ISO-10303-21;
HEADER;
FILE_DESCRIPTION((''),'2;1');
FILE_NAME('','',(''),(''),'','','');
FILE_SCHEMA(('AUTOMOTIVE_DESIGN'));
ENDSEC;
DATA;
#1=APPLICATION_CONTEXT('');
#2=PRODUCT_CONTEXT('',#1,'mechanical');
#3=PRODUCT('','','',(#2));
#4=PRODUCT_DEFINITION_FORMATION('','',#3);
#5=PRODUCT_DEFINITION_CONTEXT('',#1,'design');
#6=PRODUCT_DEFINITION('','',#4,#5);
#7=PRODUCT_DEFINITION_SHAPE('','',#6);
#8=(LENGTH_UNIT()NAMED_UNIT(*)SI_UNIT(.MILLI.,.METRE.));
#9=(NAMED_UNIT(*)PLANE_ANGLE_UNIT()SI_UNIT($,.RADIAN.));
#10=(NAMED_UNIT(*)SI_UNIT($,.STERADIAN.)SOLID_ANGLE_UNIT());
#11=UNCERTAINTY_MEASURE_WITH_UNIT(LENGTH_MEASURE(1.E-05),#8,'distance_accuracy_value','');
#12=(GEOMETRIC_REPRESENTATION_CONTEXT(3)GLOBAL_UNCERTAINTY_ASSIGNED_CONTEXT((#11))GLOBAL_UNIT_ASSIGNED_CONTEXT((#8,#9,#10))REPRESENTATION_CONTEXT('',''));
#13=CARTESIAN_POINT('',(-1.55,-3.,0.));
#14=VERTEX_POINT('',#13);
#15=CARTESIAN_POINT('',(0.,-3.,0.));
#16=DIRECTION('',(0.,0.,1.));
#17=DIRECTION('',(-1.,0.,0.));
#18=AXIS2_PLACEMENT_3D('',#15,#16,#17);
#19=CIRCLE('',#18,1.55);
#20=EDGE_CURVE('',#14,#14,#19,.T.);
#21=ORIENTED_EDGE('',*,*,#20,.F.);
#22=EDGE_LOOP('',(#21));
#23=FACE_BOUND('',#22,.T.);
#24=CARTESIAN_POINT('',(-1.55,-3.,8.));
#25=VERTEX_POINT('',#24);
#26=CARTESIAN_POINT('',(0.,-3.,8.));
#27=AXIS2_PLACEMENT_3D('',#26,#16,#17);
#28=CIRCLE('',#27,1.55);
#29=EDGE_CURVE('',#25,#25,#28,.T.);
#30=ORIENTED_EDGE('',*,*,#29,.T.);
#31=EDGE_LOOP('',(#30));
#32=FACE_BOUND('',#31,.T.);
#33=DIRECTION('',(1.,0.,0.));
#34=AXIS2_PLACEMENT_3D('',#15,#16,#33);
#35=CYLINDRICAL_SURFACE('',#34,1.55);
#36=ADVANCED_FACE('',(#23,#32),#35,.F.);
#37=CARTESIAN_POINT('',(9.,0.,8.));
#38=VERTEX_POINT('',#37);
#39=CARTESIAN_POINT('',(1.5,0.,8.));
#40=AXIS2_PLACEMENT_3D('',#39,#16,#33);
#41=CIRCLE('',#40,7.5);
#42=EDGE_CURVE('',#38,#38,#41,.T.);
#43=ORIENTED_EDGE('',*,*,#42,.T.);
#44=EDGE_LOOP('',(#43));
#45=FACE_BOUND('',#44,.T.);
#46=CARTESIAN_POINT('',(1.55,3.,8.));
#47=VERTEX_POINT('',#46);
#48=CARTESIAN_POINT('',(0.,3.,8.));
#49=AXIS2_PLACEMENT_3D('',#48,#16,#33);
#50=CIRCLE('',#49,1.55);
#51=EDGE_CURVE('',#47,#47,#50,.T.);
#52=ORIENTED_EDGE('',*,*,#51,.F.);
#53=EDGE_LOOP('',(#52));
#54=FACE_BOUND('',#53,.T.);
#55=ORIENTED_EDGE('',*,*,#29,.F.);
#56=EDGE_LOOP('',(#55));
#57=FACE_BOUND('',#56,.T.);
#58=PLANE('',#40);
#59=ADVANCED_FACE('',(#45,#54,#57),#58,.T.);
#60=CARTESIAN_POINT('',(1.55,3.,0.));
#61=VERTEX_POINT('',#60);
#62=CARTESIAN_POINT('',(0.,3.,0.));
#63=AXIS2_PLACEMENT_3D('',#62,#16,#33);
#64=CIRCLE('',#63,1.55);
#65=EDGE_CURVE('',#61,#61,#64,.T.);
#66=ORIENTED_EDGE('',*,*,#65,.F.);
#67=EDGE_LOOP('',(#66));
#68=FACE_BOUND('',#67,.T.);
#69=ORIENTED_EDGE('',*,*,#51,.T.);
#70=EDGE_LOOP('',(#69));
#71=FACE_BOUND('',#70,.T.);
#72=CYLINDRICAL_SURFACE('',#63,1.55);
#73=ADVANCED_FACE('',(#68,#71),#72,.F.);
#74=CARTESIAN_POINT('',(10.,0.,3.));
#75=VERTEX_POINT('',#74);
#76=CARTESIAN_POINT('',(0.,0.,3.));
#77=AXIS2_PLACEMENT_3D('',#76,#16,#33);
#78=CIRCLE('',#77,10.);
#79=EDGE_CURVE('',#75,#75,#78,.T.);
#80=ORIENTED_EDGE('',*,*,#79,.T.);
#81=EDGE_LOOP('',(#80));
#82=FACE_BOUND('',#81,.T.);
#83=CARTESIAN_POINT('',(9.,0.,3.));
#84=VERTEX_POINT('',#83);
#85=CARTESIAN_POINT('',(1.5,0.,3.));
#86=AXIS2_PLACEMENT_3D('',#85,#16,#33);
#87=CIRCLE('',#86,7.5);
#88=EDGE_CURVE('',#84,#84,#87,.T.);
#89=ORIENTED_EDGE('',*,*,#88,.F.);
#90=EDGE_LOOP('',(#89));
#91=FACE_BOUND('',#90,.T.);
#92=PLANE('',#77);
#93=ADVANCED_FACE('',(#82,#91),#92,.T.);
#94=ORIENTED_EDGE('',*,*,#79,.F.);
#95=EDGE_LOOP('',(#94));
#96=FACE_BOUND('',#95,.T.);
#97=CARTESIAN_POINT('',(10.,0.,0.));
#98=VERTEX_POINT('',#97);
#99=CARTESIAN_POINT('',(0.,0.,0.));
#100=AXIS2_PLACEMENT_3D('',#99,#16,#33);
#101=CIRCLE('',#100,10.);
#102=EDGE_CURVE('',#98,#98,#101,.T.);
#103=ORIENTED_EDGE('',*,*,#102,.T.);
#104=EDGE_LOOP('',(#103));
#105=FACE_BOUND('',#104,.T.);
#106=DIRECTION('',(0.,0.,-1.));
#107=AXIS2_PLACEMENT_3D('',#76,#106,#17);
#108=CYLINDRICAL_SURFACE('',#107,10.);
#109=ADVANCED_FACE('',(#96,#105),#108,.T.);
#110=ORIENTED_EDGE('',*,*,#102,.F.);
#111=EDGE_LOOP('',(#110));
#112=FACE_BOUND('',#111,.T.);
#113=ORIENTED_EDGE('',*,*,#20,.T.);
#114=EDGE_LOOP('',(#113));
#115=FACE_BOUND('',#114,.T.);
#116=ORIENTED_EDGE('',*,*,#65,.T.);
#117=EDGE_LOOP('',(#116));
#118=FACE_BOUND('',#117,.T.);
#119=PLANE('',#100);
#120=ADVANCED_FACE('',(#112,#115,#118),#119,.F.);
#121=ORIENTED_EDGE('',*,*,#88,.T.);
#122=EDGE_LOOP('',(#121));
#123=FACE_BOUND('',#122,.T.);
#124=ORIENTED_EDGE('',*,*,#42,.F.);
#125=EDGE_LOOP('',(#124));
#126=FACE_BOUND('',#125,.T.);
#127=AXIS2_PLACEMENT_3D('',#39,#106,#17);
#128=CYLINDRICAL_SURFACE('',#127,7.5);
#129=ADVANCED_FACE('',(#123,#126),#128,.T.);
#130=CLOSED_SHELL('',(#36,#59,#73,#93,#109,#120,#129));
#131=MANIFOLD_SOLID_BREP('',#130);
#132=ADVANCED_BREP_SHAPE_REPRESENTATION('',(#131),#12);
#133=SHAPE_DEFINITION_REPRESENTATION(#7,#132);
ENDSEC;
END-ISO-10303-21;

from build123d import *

# Parameters (mm, degrees)
SKETCH1_R           = 10
BOSS_EXTRUDE1_DEPTH = 3
SKETCH2_R           = 7.5
BOSS_EXTRUDE2_DEPTH = 5
SKETCH3_R           = 1.55
CUT_EXTRUDE1_DEPTH  = 17.248076809


with BuildPart() as part:
    # Sketch1 → Boss-Extrude1 (new body)
    with BuildSketch(Plane.XY):
        Circle(SKETCH1_R)
    extrude(amount=BOSS_EXTRUDE1_DEPTH)

    # Sketch2 → Boss-Extrude2 (add)
    with BuildSketch(Plane.XY.offset(3)):
        with Locations((1.5, 0)):
            Circle(SKETCH2_R)
    extrude(amount=BOSS_EXTRUDE2_DEPTH)

    # Sketch3 → Cut-Extrude1 (cut, through all)
    with BuildSketch(Plane.XY.offset(8)):
        with Locations((0, 3)):
            Circle(SKETCH3_R)
        with Locations(Location((0, -3, 0), (0, 0, 180))):
            Circle(SKETCH3_R)
    extrude(amount=-CUT_EXTRUDE1_DEPTH, mode=Mode.SUBTRACT)


solid = part.part
